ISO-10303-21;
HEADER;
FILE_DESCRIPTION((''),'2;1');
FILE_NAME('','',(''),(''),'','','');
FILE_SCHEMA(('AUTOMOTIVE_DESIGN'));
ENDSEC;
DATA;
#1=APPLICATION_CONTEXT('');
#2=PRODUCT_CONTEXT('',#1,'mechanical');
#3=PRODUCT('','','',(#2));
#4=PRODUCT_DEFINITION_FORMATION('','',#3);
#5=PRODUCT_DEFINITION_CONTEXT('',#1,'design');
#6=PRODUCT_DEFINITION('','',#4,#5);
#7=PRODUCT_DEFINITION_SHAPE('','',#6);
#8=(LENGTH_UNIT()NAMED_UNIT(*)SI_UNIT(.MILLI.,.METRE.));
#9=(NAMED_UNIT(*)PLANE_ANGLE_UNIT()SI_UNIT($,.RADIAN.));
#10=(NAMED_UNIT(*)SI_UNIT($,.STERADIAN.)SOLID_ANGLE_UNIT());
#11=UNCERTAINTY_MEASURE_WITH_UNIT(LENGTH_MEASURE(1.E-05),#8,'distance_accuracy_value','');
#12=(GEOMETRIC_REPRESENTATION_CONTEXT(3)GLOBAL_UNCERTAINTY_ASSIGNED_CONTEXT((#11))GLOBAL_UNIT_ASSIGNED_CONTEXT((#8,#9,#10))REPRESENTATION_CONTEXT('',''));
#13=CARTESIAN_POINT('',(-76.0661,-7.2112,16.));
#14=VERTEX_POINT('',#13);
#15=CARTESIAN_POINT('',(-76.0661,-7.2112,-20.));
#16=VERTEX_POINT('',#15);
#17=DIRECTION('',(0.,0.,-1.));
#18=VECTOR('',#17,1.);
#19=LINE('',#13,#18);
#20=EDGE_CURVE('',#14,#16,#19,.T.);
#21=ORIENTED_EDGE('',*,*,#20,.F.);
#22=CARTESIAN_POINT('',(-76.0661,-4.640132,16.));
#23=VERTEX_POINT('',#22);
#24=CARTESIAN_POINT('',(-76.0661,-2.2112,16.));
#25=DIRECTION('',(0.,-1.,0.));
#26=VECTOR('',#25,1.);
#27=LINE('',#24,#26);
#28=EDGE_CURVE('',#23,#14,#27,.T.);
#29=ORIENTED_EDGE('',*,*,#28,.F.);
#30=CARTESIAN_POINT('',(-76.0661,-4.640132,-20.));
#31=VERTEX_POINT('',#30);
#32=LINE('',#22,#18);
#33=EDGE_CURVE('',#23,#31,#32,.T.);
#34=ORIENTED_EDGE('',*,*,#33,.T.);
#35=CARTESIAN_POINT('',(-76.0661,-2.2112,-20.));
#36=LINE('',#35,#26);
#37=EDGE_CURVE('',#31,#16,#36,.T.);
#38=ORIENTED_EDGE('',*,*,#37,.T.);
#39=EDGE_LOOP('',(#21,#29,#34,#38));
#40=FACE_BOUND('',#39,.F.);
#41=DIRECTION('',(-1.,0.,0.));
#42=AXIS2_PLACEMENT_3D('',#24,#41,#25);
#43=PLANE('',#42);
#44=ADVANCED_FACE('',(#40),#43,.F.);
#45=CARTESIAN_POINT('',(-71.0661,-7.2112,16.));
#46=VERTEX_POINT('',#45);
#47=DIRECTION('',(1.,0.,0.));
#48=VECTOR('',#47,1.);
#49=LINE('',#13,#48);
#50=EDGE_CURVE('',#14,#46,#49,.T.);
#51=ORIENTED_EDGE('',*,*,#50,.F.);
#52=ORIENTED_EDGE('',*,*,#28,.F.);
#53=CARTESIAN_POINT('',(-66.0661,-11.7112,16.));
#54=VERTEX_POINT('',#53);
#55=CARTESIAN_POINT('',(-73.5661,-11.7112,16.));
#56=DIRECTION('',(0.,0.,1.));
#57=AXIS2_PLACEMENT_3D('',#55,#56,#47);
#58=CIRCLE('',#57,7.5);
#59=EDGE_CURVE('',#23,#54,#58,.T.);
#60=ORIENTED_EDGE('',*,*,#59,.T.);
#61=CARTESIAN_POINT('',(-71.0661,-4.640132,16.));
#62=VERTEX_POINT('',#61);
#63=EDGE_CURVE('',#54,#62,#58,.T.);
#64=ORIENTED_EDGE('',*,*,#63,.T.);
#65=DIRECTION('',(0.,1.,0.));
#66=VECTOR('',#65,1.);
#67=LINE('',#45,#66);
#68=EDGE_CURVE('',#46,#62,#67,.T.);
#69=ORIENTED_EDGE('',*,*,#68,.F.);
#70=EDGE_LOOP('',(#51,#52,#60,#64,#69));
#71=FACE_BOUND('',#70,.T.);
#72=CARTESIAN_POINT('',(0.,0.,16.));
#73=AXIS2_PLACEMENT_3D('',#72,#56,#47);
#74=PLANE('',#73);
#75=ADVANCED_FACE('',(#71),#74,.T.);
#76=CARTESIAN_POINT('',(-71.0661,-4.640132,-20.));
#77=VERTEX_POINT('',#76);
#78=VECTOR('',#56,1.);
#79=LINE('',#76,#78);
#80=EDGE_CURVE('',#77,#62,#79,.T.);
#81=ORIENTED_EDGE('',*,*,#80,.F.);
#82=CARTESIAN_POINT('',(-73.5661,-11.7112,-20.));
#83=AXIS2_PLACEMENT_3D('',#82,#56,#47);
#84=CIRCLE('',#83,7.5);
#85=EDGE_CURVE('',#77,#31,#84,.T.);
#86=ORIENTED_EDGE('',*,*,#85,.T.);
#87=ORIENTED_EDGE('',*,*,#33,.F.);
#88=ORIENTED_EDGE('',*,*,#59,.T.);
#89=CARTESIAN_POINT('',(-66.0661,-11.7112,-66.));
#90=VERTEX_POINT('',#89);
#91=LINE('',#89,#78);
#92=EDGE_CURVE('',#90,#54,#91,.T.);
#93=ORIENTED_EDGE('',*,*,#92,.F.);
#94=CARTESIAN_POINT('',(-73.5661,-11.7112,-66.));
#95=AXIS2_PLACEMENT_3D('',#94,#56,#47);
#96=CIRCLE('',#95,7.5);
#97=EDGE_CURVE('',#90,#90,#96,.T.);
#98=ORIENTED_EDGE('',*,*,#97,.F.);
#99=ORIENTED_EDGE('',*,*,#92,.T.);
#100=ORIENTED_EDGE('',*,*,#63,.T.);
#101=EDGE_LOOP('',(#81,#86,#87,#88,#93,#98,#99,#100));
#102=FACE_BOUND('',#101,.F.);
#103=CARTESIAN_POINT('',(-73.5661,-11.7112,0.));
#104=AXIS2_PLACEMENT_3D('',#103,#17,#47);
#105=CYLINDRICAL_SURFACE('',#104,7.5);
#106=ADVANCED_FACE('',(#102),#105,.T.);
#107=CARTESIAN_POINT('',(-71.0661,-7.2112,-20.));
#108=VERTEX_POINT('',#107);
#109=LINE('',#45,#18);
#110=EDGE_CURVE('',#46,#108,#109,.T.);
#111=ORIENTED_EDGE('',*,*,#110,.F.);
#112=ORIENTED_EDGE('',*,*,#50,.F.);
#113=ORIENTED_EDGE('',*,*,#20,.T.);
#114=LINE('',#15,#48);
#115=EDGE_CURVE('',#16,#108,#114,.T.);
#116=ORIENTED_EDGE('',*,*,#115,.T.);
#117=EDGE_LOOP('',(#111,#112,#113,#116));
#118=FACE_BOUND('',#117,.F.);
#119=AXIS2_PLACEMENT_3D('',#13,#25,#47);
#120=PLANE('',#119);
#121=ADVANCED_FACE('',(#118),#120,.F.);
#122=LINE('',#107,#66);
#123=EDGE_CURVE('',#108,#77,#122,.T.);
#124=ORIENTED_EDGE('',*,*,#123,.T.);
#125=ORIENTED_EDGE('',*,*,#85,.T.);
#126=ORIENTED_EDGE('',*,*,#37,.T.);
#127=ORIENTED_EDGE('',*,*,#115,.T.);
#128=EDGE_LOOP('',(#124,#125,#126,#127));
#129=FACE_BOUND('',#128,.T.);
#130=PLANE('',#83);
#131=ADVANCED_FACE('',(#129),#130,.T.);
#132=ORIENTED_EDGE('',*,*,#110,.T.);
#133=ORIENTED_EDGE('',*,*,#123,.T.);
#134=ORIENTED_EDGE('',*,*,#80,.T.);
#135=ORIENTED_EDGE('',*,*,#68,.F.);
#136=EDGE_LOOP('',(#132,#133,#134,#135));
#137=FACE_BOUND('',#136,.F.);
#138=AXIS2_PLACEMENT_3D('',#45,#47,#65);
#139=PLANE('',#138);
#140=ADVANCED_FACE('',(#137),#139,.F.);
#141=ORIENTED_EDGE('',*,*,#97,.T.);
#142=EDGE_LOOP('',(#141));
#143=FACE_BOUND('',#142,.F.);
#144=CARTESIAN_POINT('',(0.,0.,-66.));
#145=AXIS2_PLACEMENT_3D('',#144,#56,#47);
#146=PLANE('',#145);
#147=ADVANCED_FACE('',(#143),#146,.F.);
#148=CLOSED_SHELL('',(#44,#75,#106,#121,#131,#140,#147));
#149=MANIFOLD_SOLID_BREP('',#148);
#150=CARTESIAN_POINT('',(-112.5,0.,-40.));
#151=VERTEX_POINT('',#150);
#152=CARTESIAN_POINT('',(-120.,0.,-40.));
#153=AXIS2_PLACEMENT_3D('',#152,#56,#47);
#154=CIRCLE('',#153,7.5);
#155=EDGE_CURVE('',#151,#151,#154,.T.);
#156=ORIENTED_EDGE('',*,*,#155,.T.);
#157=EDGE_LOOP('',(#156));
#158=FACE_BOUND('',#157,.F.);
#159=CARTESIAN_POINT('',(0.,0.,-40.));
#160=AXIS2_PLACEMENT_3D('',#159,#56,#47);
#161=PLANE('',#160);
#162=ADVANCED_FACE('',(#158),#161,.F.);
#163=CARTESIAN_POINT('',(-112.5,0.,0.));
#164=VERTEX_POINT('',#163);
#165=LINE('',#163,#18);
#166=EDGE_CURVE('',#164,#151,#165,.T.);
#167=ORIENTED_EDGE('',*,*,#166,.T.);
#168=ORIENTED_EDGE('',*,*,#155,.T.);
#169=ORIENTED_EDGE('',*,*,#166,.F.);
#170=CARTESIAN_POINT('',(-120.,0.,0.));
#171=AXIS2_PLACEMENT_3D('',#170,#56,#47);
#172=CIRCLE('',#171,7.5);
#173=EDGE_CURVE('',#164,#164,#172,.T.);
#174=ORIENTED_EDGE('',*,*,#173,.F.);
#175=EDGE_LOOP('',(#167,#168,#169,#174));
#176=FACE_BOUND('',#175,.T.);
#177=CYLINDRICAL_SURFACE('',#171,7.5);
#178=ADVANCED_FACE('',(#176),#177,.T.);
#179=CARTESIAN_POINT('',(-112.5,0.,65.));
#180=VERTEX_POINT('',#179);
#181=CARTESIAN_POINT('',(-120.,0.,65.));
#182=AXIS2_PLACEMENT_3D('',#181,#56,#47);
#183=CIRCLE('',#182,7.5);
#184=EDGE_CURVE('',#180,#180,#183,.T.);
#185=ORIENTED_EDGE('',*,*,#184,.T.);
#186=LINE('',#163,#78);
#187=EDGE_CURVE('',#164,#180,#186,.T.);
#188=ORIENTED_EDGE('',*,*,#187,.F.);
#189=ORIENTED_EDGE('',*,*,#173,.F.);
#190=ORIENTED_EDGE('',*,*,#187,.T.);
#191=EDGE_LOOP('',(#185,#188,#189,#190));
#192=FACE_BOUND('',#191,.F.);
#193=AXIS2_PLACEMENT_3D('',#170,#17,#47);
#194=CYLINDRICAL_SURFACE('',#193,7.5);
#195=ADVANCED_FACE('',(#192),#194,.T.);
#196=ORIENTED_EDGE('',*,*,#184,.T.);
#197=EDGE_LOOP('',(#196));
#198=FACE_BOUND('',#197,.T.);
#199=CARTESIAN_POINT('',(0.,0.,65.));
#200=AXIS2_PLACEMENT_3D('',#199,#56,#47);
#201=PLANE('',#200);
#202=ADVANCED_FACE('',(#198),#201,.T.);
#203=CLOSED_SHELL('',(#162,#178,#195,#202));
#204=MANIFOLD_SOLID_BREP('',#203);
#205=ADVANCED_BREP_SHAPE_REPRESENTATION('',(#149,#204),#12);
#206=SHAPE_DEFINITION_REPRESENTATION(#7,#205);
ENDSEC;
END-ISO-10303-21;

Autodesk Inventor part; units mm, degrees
ref_plane "YZ Plane" through (0, 0, 0) normal (1, 0, 0) x (0, 1, 0)
sketch "Sketch1" plane through (0, 0, 0) normal (0, 0, 1) x (1, 0, 0)
  circle A0 centre (0, 0) radius 47.888 construction
  circle A1 centre (-120, 0) radius 21.2836 construction
  line L0 (-120, 0) -> (0, 0) construction
  circle A2 centre (0, 0) radius 33
  circle A3 centre (-73.5661, -11.7112) radius 26.6044 construction
  dimension "d0" = 95.776
  dimension "d1" = 42.5671
  dimension "d4" = 120
  dimension "d16" = 66
  dimension "d17" = 53.2089
sketch "Sketch2" plane through (0, 0, 0) normal (0, 0, 1) x (1, 0, 0)
  circle A0 centre (-120, 0) radius 7.5
  circle A1 centre (-120, 0) radius 21.2836 construction
  circle A2 centre (-73.5661, 11.7112) radius 26.6044 construction
  line L0 (-120, 0) -> (-100.9074, 0) construction
  line L1 (-120, 0) -> (-120, 23.2296) construction
  point P0 (0, 0)
  dimension "d5" = 15
extrude "Extrusion1" add sketch "Sketch2" along normal blind 65 and the other way blind 40
sketch "Sketch4" plane through (0, 0, 0) normal (0, 0, 1) x (1, 0, 0)
  circle A0 centre (-73.5661, -11.7112) radius 7.5
  circle A1 centre (-73.5661, -11.7112) radius 26.6044 construction
  line L0 (-73.5661, -11.7112) -> (-73.5661, 40.9362) construction
  line L1 (-73.5661, -11.7112) -> (-109.3594, -11.7112) construction
  point P0 (0, 0)
  dimension "d18" = 15
extrude "Extrusion3" add sketch "Sketch4" along normal blind 16 and the other way blind 66 separate body
sketch3d "3D Sketch1"
ref_plane "Work Plane1" through (-73.5661, -11.7112, 48.9351) normal (1, 0, 0) x (0, 0, -1)
sketch3d "3D Sketch2"
ref_plane "Work Plane2" through (-120, 0, 0) normal (1, 0, 0) x (0, 1, 0)
sketch "Sketch5" plane through (-73.5661, -11.7112, 16) normal (0, 0, 1) x (1, 0, 0)
  circle A0 centre (0, 0) radius 7.5 construction
  line L0 (0, 0) -> (0, 31.0502) construction
  line L1 (-14.5269, 7.5) -> (19.4754, 7.5) construction
  line L2 (-2.5, 9.5) -> (-2.5, 4.5)
  line L3 (-2.5, 4.5) -> (2.5, 4.5)
  line L4 (2.5, 4.5) -> (2.5, 9.5)
  line L5 (2.5, 9.5) -> (-2.5, 9.5)
  point P0 (73.5661, 11.7112)
  point P1 (2.5, 7.5)
  point P2 (0, 9.5)
  dimension "d23" = 5
  dimension "IMKEY_D" = 3
extrude "Extrusion4" cut sketch "Sketch5" against normal blind 36
equation "\"d0\" = d3"
equation "\"d1\" = d3_1"
equation "\"d16\" = Nut_OD"
equation "\"d17\" = d3_1_2"
equation "\"d5\" = Pin_DIA"
equation "\"d9\" = d1_1 + Hub_L"
equation "\"d18\" = GearPin_DIA"
equation "\"d23\" = IMKEY_W"
equation "\"IdleGearPin_L\" = 1"
equation "\"Bearing_WIDTH\" = 11"
equation "\"Pin_DIA\" = GearPin_DIA"
equation "\"TD\" = 0.3"
equation "\"Ball_DIA\" = 6"
equation "\"Screw_L\" = 292"
equation "\"Screw_DIA\" = 36"
equation "\"Nut_OD\" = 66"
equation "\"BPath_REVQ\" = 5.75"
equation "\"Tread_OFFSET\" = 8.075"
equation "\"SteeringColumn_DIA\" = 26"
equation "\"SteeringColumnChamfer_DEG\" = 20deg"
equation "\"Rack_L\" = 307.252"
equation "\"NutCapTread_L\" = 25"
equation "\"NutCapTread_THICKNESS\" = 5.365"
equation "\"SupportFlange_THICKNESS\" = 5"
equation "\"Bearing_OD\" = 35"
equation "\"GearKey_L\" = 32"
equation "\"d3\" = 95.776"
equation "\"d3_1\" = 42.567111"
equation "\"d3_1_2\" = 53.208889"
equation "\"d1_1\" = 30"
equation "\"Hub_L\" = 10"
equation "\"GearPin_DIA\" = 15"
equation "\"IMKEY_W\" = 5"
properties part number "MCEN4000:P1"
